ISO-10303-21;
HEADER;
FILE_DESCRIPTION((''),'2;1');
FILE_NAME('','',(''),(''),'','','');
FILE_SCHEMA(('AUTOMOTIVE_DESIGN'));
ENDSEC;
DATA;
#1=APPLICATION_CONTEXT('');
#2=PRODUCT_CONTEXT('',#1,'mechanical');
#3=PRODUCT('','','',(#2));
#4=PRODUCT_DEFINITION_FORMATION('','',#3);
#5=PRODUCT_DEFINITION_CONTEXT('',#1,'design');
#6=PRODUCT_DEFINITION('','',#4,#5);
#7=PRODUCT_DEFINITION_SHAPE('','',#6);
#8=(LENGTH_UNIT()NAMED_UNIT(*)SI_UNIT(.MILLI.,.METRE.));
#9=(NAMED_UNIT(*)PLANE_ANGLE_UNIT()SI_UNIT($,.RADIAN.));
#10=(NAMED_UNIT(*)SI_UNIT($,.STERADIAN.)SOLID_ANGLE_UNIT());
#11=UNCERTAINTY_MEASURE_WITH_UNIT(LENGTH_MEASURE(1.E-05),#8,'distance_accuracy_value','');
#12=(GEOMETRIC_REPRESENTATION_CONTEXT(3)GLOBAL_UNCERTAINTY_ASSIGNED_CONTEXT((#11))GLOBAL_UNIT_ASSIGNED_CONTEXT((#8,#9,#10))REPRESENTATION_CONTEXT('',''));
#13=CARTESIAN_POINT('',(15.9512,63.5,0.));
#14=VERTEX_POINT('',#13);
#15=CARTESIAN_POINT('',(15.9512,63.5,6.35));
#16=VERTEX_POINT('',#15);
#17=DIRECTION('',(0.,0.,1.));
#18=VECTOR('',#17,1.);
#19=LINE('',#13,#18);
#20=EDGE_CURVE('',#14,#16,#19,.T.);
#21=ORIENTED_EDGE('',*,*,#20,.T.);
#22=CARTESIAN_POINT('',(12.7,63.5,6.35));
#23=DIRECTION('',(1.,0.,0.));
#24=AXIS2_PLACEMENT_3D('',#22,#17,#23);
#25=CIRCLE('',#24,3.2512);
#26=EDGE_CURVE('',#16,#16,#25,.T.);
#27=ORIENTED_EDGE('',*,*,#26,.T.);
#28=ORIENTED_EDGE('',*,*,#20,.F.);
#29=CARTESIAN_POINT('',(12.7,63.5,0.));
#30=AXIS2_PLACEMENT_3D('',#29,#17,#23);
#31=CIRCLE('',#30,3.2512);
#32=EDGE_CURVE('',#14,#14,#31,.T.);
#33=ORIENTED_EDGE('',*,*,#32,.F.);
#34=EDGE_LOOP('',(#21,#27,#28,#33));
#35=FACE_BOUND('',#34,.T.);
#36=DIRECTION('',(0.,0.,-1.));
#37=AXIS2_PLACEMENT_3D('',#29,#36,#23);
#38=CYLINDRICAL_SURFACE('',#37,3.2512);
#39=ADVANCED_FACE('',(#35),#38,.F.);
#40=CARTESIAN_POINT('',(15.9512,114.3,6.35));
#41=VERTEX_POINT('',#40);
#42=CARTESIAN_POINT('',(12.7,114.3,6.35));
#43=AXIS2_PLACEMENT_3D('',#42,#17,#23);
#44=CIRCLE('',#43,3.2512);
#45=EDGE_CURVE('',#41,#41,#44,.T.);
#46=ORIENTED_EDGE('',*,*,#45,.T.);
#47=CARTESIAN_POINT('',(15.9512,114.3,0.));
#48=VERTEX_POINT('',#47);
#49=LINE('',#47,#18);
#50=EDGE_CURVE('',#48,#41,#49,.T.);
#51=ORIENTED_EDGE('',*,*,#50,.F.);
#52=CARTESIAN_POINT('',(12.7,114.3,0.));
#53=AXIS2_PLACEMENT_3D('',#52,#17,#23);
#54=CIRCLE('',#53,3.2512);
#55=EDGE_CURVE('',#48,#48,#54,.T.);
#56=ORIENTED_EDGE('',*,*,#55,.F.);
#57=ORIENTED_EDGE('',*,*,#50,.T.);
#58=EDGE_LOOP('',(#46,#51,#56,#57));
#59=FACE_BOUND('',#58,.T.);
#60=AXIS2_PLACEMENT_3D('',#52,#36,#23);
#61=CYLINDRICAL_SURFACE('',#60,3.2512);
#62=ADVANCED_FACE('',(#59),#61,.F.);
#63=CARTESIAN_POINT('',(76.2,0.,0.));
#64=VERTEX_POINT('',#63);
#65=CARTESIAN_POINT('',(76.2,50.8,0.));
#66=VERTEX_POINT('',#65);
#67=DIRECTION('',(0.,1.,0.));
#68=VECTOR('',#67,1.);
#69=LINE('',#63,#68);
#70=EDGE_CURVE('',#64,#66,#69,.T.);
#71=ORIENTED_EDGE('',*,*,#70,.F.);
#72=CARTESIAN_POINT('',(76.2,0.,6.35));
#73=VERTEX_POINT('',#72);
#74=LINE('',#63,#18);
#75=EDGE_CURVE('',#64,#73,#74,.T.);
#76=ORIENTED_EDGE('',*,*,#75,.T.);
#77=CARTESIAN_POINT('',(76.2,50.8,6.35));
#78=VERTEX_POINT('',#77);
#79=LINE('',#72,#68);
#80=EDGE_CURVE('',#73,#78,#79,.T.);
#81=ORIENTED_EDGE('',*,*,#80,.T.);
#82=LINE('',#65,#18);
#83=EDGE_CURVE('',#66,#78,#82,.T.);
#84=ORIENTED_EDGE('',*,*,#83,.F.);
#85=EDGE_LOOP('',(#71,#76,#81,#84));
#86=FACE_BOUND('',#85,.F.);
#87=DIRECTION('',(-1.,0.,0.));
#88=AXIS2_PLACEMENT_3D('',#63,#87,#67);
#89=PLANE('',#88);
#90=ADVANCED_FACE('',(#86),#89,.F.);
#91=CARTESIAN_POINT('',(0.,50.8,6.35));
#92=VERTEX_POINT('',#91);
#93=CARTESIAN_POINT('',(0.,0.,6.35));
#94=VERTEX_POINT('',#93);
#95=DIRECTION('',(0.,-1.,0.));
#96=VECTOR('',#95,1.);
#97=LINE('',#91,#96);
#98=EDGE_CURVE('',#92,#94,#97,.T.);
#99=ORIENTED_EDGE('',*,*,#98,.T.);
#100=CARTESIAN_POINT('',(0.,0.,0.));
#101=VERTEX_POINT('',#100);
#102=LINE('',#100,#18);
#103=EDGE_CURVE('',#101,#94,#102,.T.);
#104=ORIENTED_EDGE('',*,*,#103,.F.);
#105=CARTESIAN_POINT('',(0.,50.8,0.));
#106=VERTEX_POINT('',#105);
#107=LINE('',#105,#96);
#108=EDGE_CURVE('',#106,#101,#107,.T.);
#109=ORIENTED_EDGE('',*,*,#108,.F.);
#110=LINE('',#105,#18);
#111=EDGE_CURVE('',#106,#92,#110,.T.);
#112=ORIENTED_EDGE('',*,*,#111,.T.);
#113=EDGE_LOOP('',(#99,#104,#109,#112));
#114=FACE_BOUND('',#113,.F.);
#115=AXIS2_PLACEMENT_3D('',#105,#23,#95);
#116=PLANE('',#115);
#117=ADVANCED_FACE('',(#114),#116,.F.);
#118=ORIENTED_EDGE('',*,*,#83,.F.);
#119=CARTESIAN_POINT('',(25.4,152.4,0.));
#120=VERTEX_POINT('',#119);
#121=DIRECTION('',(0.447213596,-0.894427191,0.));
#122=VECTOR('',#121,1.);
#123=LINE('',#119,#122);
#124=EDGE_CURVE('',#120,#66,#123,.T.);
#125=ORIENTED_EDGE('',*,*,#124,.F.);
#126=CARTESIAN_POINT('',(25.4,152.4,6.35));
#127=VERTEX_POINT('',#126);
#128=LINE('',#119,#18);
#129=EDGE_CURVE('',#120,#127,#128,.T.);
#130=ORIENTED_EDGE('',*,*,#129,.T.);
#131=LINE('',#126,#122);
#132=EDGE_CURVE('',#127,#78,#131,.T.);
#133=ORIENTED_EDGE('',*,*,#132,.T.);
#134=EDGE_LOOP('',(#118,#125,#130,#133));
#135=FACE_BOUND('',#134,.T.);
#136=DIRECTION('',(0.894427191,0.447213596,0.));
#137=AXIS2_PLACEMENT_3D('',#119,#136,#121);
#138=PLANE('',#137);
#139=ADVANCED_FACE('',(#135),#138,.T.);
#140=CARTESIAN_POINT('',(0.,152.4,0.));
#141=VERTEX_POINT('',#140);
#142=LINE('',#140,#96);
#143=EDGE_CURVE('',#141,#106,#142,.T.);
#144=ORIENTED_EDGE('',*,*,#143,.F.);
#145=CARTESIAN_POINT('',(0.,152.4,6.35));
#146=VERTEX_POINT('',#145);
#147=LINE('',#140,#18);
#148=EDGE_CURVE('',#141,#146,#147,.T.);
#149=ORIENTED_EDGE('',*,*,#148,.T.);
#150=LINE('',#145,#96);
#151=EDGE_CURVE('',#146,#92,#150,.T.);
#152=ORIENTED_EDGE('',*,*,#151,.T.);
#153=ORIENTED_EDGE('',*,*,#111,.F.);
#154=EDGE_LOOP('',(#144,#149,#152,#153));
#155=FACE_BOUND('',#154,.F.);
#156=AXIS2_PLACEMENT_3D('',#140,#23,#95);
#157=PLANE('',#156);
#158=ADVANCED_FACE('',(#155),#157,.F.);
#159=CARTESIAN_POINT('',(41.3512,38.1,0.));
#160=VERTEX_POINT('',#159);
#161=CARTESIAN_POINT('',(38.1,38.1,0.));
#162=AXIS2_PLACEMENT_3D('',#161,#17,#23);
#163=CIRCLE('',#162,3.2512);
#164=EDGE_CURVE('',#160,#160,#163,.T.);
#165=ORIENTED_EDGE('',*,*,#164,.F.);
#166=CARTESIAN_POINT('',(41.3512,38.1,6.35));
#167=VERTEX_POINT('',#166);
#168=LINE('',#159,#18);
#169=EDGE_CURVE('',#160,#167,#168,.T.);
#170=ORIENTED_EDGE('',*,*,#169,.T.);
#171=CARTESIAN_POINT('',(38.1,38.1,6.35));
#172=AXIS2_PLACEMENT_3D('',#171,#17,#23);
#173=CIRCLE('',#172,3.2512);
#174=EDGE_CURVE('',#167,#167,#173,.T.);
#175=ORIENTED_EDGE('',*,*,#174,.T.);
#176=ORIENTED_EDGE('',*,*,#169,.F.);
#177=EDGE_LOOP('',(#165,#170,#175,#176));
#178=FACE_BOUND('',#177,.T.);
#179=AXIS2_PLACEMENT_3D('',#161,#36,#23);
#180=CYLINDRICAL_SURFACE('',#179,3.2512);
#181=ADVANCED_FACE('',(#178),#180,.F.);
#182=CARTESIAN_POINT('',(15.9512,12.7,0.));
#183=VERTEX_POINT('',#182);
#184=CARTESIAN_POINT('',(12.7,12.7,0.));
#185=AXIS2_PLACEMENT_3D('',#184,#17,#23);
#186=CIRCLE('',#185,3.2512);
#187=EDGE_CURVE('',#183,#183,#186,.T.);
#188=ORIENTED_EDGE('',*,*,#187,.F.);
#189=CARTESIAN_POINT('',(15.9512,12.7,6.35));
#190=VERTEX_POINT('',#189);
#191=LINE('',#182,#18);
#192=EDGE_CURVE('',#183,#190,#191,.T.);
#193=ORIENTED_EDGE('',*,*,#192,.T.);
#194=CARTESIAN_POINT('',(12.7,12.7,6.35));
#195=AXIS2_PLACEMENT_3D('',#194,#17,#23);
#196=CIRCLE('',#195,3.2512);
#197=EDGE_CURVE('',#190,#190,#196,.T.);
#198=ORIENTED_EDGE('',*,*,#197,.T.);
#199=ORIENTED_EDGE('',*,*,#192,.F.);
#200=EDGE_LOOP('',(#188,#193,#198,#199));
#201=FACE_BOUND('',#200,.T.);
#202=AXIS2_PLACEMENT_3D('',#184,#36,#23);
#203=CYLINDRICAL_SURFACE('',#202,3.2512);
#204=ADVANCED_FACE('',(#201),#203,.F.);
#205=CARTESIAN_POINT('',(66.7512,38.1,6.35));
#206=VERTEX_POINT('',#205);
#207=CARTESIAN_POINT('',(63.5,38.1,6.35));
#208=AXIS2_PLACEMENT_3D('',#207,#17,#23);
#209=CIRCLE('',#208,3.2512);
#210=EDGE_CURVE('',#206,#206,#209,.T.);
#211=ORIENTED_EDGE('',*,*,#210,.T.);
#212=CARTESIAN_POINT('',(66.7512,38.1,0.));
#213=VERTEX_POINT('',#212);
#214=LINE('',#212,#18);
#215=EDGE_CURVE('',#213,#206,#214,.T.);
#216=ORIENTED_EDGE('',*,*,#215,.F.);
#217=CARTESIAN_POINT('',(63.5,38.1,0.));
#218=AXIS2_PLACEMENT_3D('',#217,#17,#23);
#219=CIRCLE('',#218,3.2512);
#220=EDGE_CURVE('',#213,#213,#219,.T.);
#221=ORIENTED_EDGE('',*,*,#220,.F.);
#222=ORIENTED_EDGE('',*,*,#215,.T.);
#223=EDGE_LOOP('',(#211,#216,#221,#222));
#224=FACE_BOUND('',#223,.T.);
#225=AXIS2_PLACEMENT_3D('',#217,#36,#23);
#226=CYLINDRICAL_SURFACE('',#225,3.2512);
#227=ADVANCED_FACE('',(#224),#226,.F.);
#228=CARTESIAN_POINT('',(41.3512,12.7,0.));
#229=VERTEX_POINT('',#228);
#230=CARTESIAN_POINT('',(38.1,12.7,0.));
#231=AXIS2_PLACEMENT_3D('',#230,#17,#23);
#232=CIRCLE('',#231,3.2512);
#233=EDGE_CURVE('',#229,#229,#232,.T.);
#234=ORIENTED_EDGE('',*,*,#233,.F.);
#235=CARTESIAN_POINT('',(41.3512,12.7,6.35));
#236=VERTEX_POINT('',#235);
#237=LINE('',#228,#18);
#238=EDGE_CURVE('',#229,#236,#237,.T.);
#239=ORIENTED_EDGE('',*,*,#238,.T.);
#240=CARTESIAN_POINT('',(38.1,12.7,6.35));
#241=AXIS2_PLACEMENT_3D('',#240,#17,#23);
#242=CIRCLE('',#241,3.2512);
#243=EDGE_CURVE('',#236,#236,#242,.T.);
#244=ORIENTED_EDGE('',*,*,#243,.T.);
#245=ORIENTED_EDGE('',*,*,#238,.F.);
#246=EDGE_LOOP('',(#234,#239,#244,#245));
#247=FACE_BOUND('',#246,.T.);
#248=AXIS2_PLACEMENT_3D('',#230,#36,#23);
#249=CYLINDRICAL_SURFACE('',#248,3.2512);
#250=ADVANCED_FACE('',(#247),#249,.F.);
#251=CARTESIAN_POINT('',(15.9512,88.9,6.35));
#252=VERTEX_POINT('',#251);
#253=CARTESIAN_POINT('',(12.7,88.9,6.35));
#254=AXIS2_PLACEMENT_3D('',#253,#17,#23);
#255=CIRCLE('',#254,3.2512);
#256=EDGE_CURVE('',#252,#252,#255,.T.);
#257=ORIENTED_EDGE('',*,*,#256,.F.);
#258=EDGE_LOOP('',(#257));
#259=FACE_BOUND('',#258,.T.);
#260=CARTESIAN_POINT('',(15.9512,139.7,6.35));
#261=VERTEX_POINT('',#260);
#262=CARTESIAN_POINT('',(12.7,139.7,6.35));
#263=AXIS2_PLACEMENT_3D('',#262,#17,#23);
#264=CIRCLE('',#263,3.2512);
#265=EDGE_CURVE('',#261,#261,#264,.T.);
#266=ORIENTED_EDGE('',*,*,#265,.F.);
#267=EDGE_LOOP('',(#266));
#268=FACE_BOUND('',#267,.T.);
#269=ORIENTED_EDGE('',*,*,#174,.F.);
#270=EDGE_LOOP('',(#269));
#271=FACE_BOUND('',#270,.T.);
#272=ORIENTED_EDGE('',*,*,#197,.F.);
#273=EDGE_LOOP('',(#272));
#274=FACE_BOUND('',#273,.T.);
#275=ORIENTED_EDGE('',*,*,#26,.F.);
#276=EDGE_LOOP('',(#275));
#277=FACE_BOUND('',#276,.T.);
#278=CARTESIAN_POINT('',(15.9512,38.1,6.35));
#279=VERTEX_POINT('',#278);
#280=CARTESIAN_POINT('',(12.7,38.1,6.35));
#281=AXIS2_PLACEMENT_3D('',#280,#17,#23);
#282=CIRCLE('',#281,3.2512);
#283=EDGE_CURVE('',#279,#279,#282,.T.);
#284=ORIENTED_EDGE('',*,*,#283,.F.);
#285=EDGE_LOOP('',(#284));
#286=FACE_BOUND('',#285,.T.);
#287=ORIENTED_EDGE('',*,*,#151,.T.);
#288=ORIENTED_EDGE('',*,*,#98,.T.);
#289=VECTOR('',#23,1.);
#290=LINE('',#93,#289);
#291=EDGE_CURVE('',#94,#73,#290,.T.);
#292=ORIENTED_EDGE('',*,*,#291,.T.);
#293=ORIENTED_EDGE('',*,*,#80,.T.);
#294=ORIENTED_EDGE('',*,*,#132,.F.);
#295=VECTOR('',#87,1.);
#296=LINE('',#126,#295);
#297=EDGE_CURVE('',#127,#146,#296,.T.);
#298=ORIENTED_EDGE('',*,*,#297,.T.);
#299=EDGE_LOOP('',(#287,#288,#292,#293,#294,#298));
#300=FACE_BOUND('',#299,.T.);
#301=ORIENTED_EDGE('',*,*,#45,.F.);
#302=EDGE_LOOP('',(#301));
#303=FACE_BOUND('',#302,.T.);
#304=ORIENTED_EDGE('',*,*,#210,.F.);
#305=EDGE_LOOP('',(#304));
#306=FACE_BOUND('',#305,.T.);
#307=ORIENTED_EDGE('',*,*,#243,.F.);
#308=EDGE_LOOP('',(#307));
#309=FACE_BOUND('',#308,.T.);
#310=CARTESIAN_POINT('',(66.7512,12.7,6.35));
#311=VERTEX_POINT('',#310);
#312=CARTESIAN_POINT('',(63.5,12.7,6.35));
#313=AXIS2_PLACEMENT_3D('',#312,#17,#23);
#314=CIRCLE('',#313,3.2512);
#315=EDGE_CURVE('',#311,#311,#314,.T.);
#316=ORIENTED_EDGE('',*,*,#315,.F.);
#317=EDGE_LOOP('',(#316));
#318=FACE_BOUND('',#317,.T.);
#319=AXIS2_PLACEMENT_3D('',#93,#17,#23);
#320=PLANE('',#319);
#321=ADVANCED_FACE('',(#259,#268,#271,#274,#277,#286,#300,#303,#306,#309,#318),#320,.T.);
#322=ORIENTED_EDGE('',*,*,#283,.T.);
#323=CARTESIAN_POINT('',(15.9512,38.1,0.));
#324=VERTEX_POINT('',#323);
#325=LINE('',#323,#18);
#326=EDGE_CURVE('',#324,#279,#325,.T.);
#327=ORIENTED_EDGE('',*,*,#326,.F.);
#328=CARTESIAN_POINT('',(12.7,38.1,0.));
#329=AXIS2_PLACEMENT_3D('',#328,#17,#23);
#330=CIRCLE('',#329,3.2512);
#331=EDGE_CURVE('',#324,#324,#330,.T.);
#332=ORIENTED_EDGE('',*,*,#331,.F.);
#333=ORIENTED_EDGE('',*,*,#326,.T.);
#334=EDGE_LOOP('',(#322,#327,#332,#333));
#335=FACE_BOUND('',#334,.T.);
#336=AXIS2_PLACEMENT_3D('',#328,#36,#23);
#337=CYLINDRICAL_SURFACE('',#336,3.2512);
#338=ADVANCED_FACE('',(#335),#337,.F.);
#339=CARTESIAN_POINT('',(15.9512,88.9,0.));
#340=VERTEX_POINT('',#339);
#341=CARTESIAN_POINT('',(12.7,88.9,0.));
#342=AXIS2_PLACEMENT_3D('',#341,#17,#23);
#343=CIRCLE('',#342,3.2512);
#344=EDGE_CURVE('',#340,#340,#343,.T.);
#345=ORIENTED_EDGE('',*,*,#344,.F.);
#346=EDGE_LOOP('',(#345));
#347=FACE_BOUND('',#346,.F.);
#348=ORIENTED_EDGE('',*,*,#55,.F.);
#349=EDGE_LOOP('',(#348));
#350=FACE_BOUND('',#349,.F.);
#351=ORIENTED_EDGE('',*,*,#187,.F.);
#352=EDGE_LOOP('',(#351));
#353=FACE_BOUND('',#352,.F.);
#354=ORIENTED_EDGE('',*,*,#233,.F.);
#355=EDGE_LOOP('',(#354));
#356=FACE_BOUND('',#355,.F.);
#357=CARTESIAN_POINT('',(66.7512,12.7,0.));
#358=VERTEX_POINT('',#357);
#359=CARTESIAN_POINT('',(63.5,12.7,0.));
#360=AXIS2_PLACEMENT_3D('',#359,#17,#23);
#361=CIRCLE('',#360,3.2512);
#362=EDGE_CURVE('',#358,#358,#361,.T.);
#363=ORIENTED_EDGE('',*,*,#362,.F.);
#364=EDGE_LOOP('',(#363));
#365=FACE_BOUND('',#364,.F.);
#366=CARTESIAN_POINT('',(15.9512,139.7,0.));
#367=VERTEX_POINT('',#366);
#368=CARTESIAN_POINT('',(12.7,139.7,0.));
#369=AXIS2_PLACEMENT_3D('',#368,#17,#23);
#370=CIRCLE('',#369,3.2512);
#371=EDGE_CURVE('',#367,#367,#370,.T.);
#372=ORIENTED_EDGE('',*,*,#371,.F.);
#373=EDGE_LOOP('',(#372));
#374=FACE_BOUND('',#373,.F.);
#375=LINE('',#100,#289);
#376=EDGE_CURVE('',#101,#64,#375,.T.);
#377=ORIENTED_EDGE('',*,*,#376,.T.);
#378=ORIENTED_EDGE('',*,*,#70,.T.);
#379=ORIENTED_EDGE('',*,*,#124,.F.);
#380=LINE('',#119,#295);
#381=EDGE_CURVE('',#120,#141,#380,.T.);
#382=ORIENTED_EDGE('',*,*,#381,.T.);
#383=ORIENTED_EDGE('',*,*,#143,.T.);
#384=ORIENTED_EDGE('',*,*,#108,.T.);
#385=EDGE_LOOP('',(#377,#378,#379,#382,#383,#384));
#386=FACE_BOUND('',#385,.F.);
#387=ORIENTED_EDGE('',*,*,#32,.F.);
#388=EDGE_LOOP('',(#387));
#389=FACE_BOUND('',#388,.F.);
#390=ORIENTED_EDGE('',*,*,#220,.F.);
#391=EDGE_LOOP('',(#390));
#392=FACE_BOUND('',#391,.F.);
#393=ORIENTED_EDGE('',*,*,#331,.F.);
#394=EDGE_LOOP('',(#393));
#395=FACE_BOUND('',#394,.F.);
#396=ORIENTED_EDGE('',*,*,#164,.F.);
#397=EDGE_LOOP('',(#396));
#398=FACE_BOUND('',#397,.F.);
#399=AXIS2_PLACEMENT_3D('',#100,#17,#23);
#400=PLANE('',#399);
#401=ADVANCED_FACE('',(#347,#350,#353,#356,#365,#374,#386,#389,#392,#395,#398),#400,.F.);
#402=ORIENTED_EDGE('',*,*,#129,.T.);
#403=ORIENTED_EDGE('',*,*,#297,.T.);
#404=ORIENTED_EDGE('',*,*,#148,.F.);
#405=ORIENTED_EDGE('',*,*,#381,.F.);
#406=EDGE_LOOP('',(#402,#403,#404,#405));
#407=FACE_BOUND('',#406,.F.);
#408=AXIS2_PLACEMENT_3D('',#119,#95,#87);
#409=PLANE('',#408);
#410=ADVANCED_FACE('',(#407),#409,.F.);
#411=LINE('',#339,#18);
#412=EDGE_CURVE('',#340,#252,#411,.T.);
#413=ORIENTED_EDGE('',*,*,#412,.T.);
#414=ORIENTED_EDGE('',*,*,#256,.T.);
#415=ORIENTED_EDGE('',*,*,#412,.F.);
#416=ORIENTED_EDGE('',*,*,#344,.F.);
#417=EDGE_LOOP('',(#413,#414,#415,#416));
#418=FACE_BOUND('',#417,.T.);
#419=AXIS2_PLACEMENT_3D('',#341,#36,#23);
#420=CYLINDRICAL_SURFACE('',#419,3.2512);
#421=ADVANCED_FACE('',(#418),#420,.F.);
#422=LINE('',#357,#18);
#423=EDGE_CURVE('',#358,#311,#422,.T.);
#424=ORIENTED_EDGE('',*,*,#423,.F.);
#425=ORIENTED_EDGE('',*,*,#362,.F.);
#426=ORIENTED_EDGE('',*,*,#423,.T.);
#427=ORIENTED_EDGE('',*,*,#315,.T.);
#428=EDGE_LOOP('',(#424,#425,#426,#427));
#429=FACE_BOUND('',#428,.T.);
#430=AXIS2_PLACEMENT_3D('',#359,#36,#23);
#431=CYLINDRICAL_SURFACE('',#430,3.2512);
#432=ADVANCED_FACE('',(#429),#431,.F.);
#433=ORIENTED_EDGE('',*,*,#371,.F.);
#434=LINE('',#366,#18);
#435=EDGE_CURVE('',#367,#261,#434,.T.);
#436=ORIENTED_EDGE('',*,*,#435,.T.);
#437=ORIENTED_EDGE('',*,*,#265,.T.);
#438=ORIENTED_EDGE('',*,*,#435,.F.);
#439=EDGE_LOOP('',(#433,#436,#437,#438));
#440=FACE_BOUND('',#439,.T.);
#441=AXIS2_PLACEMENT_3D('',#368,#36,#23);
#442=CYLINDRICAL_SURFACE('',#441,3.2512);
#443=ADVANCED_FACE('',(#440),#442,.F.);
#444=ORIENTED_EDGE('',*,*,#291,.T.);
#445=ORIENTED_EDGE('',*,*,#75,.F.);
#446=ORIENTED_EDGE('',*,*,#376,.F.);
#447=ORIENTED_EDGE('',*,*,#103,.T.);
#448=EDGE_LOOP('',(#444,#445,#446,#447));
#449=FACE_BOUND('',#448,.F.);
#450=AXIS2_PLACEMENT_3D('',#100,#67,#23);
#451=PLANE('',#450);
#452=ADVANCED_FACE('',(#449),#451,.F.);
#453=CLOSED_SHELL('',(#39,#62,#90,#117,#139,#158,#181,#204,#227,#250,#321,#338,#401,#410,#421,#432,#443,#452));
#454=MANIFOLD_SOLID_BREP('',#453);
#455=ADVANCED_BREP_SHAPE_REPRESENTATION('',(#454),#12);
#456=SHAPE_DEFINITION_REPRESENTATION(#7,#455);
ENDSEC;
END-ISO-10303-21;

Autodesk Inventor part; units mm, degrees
ref_plane "YZ Plane" through (0, 0, 0) normal (1, 0, 0) x (0, 1, 0)
ref_plane "XZ Plane" through (0, 0, 0) normal (0, 1, 0) x (-1, 0, 0)
ref_plane "XY Plane" through (0, 0, 0) normal (0, 0, 1) x (1, 0, 0)
sketch "Sketch1" plane through (0, 0, 0) normal (0, 0, 1) x (1, 0, 0)
  line L0 (0, 0) -> (76.2, 0)
  line L1 (76.2, 0) -> (76.2, 50.8)
  line L2 (0, 50.8) -> (0, 0)
  line L3 (25.4, 152.4) -> (0, 152.4)
  line L4 (0, 152.4) -> (0, 50.8)
  line L5 (25.4, 152.4) -> (76.2, 50.8)
  circle A0 centre (12.7, 12.7) radius 3.2512
  circle A1 centre (12.7, 38.1) radius 3.2512
  circle A2 centre (12.7, 63.5) radius 3.2512
  circle A3 centre (12.7, 88.9) radius 3.2512
  circle A4 centre (12.7, 114.3) radius 3.2512
  circle A5 centre (12.7, 139.7) radius 3.2512
  circle A6 centre (38.1, 12.7) radius 3.2512
  circle A7 centre (63.5, 12.7) radius 3.2512
  circle A8 centre (12.7, 38.1) radius 3.2512
  circle A9 centre (38.1, 38.1) radius 3.2512
  circle A10 centre (63.5, 38.1) radius 3.2512
  dimension "d4" = 101.6
  dimension "d5" = 50.8
  dimension "d6" = 25.4
  dimension "d7" = 50.8
  dimension "d8" = 101.6
  dimension "d9" = 50.8
  dimension "d10" = 76.2
  dimension "d11" = 6.5024
  dimension "d12" = 12.7
  dimension "d13" = 12.7
  dimension "d16" = 25.4
  dimension "d23" = 25.4
  dimension "d26" = 25.4
extrude "Extrusion1" add sketch "Sketch1" along normal blind 6.35
properties part number "6x3"
